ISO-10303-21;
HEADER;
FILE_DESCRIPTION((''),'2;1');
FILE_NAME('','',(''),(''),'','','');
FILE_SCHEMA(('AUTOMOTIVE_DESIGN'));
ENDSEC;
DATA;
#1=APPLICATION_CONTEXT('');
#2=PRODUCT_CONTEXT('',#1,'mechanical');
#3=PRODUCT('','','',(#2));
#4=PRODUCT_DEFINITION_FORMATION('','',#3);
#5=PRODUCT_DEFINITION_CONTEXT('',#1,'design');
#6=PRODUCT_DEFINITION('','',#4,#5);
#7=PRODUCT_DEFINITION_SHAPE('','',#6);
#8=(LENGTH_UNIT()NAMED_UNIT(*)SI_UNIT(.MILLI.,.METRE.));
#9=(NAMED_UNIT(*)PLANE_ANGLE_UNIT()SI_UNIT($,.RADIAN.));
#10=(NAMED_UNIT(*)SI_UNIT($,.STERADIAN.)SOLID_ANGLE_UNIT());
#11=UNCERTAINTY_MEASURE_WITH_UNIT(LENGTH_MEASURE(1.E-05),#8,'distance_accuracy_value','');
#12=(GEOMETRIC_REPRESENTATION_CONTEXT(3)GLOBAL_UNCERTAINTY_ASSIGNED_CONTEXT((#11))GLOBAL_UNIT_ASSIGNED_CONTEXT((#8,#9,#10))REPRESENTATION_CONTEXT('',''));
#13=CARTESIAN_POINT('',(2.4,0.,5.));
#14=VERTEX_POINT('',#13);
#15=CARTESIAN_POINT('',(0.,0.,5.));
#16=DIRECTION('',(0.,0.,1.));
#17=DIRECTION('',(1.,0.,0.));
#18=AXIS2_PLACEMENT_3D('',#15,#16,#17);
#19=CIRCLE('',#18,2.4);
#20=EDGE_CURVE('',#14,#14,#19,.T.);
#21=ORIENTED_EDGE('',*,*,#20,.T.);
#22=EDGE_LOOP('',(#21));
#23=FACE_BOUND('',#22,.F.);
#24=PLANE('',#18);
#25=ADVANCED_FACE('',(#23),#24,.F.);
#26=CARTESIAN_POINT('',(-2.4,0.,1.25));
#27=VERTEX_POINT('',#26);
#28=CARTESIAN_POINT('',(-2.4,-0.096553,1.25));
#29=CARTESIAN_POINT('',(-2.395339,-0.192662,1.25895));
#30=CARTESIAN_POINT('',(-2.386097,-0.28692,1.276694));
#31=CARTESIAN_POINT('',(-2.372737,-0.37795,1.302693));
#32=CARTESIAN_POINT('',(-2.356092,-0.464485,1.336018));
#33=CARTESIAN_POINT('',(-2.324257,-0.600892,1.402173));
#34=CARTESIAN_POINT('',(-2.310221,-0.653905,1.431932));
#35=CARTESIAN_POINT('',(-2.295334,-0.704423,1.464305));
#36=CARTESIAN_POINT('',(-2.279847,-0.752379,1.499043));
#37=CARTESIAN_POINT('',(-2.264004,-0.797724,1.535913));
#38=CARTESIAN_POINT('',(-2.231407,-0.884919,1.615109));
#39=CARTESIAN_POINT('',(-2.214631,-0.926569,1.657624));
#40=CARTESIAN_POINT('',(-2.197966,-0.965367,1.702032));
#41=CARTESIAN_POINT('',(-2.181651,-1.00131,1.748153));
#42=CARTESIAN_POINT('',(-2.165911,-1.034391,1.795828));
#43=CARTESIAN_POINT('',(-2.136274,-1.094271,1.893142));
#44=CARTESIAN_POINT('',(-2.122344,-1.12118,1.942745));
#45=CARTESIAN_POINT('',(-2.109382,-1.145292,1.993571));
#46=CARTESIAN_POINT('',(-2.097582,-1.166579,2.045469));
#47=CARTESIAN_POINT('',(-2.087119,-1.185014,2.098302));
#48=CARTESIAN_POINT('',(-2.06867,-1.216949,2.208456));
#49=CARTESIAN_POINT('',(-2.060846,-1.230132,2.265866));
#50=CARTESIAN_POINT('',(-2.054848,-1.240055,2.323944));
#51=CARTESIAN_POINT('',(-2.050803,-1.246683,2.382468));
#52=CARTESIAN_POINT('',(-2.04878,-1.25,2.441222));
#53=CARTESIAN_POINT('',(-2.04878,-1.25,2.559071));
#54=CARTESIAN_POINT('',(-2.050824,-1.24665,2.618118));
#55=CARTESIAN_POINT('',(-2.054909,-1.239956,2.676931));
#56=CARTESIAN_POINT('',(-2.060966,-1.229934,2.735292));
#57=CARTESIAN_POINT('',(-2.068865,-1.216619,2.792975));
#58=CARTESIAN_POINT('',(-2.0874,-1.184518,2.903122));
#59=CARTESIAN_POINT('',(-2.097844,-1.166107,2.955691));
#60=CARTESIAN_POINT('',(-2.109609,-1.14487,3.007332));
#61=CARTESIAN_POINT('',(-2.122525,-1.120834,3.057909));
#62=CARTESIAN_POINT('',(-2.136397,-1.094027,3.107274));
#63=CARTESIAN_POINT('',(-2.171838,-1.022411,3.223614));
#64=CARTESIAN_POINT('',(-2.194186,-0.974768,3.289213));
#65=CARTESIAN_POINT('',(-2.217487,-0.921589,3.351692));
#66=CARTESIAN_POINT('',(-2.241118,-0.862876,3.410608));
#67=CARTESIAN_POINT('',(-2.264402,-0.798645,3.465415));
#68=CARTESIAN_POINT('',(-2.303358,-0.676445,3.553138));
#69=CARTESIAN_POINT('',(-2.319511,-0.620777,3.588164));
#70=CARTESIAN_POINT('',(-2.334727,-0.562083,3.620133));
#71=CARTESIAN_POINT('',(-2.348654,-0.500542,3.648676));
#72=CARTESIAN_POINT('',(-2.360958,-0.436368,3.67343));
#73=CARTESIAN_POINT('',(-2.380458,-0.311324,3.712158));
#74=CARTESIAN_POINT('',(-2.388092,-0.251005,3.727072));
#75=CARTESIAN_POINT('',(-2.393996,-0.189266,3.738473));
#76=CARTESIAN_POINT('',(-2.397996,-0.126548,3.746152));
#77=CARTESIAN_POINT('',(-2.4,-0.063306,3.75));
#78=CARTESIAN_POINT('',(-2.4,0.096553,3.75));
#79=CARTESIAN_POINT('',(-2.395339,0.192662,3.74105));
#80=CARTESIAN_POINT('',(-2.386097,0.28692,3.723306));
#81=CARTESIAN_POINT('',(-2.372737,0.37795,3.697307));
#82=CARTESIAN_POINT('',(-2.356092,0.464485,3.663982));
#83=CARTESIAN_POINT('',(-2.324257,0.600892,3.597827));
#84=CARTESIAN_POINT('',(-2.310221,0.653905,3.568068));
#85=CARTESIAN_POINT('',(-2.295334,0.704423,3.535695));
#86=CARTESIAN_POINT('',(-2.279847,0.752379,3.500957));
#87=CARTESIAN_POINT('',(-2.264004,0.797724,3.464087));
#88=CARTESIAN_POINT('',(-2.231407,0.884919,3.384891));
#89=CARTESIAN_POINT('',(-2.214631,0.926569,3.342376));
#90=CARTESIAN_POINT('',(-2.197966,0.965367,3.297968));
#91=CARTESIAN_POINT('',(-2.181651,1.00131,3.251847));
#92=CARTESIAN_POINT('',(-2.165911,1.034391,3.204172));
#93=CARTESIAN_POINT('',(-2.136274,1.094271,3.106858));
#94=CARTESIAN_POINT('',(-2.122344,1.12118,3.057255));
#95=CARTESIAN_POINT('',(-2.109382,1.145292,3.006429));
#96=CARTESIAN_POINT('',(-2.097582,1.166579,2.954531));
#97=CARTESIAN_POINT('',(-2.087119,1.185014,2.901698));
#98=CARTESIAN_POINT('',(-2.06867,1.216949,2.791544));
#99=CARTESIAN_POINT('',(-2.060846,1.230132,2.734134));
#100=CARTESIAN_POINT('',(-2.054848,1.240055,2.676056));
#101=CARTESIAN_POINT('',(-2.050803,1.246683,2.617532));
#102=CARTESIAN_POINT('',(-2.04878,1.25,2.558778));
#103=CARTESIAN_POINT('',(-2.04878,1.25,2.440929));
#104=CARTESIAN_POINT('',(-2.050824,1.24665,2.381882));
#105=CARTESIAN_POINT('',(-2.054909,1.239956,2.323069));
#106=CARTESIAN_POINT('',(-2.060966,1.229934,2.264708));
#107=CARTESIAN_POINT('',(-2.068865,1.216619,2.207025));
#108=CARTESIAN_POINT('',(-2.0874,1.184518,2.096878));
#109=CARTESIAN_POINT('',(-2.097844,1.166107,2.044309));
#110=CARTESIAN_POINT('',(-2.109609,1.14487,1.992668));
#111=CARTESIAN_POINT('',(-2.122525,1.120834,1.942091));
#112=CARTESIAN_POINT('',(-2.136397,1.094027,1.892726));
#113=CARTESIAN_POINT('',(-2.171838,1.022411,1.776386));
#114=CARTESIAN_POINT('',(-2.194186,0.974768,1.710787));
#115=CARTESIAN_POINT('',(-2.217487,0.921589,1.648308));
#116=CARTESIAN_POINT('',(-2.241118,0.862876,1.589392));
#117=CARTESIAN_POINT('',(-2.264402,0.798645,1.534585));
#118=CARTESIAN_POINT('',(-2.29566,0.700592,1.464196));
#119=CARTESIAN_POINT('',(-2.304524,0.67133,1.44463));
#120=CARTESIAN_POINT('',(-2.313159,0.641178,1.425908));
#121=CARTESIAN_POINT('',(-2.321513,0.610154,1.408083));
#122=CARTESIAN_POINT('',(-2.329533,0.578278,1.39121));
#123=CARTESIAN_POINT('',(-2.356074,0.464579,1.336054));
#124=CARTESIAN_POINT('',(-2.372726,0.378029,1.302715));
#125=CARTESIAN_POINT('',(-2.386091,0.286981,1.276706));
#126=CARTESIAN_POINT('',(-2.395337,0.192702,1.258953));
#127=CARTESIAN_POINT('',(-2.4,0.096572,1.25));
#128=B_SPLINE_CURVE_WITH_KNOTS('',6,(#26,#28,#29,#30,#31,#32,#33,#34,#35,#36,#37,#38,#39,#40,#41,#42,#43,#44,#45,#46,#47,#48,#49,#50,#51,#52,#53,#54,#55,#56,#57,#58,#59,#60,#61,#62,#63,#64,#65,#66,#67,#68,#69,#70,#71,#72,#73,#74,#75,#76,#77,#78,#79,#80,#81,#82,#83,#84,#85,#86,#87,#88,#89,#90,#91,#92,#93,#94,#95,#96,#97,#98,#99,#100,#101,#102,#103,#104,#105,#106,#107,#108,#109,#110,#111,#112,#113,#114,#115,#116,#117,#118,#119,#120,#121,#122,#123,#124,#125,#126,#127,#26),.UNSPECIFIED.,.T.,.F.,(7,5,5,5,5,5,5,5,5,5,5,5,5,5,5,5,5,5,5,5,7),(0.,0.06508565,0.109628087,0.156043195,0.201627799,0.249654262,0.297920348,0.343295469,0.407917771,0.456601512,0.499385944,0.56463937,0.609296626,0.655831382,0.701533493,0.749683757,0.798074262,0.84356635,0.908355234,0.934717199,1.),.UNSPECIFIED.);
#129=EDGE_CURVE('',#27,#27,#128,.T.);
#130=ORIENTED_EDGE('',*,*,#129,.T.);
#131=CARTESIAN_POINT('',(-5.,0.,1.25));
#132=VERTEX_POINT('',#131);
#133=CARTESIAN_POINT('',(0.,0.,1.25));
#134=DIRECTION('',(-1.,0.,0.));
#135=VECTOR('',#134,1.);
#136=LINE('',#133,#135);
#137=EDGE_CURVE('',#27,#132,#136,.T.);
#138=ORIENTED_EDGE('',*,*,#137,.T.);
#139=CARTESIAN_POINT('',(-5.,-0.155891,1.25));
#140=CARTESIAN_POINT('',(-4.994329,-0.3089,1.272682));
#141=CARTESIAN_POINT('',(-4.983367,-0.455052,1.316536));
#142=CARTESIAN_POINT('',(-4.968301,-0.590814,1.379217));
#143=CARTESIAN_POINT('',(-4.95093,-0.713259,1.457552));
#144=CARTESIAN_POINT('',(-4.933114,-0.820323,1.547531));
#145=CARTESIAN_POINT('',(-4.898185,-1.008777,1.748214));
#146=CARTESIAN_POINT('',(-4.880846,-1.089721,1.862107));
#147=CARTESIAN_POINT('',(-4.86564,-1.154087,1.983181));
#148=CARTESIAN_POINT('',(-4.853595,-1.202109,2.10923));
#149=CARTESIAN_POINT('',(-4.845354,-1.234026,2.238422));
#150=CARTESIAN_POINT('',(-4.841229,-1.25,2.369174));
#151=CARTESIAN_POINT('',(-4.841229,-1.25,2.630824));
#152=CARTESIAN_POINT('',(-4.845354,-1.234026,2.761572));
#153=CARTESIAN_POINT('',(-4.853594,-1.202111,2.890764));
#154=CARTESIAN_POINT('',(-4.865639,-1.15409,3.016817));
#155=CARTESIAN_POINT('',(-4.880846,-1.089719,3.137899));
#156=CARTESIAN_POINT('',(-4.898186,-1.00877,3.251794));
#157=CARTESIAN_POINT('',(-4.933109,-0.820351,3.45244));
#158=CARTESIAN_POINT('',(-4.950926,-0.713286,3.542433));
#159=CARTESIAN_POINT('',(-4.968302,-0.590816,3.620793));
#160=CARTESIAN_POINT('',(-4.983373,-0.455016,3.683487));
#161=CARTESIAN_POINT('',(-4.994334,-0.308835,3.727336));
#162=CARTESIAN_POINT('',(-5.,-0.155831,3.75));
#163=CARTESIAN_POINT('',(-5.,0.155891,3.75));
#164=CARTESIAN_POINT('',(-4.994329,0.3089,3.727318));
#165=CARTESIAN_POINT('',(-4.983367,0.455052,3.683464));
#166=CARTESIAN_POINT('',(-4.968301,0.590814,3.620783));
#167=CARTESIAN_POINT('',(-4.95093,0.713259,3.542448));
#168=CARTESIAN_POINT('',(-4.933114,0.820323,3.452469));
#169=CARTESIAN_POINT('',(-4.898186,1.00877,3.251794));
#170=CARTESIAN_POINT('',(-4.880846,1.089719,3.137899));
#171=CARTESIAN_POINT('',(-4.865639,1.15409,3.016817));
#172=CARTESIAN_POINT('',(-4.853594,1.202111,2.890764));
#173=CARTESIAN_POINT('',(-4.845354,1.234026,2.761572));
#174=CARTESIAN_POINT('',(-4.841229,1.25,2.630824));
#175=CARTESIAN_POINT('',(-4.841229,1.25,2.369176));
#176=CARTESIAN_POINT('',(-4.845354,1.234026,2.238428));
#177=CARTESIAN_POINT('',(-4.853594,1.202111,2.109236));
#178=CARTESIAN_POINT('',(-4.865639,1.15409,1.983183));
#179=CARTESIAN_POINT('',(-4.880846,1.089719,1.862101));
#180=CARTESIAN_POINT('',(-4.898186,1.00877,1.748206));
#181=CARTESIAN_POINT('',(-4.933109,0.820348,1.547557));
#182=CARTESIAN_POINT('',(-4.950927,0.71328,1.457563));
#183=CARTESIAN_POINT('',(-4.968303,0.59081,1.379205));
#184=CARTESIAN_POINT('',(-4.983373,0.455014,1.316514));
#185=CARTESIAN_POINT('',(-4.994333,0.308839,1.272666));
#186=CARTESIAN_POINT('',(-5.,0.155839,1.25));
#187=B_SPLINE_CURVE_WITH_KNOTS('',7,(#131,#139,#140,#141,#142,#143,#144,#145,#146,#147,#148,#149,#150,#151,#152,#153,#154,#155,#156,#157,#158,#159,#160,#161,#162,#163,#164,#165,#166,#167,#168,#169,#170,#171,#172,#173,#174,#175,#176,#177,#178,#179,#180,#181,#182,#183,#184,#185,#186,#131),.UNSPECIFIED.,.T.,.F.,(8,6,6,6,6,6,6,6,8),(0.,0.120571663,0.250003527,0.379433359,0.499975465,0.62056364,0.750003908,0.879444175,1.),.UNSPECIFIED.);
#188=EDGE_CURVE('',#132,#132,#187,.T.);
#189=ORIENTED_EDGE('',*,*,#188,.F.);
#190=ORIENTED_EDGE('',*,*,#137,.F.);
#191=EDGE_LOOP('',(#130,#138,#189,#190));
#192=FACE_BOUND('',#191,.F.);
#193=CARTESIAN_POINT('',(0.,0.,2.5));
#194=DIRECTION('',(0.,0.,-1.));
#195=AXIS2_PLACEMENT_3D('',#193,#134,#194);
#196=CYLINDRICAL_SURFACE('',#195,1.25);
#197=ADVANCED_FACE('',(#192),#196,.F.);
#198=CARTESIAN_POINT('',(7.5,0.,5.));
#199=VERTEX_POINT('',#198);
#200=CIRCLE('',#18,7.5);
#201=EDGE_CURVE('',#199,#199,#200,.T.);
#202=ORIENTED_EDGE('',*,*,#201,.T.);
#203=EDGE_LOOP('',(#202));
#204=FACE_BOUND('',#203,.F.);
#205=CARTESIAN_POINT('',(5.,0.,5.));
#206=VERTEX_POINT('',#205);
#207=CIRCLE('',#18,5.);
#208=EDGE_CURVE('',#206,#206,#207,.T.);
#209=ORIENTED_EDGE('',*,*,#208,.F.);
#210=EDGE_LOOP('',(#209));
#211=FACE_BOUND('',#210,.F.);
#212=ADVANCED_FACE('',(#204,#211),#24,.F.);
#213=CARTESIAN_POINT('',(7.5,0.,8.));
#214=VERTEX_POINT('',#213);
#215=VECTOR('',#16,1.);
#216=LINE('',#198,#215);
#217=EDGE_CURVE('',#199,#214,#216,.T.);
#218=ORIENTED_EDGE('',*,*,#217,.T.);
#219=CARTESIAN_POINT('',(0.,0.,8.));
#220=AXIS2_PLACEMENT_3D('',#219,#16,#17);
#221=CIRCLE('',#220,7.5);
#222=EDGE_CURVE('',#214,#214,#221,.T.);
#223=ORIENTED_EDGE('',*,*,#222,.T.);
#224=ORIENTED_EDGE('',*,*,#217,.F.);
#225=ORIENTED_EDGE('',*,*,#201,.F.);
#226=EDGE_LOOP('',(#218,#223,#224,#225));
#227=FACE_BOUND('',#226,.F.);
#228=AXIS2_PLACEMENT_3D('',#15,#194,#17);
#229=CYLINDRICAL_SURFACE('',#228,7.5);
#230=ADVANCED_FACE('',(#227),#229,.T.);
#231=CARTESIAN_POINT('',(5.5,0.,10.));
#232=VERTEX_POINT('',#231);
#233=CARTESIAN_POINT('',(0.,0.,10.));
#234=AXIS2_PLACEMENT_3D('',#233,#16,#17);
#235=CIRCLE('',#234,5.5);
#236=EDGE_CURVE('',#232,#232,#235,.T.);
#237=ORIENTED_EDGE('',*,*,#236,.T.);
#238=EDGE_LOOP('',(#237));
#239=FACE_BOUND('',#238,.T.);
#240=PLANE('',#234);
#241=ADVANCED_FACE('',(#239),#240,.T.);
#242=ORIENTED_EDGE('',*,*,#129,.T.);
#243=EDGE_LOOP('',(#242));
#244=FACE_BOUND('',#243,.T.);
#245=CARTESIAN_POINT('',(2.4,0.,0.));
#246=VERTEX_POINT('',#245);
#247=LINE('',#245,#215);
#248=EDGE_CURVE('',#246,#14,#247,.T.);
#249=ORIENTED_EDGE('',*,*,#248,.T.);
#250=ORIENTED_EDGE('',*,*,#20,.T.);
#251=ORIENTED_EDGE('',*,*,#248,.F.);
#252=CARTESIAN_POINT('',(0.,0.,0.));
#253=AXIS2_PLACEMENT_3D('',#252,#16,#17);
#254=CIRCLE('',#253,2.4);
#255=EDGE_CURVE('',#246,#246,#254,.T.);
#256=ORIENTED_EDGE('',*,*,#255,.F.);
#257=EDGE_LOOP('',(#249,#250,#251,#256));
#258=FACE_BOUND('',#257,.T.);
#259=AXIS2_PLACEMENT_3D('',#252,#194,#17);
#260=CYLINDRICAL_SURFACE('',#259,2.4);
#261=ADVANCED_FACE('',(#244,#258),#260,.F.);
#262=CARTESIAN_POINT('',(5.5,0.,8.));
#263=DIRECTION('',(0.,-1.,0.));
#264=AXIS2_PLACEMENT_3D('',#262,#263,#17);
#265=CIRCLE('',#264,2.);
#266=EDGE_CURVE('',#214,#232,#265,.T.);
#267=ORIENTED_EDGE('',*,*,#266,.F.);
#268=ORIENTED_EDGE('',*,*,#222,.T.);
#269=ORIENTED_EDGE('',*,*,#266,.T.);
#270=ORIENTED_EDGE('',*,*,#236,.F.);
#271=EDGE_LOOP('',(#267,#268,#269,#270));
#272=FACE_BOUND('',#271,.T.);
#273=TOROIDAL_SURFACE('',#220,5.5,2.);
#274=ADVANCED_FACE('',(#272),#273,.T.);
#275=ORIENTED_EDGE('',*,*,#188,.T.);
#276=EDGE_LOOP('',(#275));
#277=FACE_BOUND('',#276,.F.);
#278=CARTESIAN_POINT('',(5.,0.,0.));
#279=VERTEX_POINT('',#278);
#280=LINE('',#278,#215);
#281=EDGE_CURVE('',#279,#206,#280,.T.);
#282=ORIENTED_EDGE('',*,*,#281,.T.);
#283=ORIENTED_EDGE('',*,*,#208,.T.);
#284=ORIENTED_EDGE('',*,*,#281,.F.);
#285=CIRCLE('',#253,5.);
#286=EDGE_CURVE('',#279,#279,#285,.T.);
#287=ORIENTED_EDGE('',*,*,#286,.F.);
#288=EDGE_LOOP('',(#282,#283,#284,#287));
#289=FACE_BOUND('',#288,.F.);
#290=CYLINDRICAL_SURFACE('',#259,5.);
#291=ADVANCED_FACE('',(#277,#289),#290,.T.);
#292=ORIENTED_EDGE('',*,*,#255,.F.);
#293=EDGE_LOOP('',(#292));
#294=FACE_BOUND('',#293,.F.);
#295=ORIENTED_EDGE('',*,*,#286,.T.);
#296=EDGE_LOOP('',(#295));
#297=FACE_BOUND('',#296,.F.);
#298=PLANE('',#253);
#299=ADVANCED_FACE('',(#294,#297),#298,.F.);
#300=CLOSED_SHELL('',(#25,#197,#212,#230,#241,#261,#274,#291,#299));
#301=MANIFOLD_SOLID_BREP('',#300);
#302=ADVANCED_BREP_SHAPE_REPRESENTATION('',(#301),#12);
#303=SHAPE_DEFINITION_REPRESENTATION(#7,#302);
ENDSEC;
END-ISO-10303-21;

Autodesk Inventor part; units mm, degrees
ref_plane "YZ Plane" through (0, 0, 0) normal (1, 0, 0) x (0, 1, 0)
ref_plane "XZ Plane" through (0, 0, 0) normal (0, 1, 0) x (-1, 0, 0)
ref_plane "XY Plane" through (0, 0, 0) normal (0, 0, 1) x (1, 0, 0)
sketch "Sketch1" plane through (0, 0, 0) normal (0, 0, 1) x (1, 0, 0)
  circle A0 centre (0, 0) radius 2.4
  circle A1 centre (0, 0) radius 5
  dimension "d0" = 4.8
  dimension "d1" = 10
extrude "Extrusion1" add sketch "Sketch1" along normal blind 5
sketch "Sketch2" plane through (0, 0, 5) normal (0, 0, 1) x (1, 0, 0)
  circle A0 centre (0, 0) radius 7.5
  dimension "d4" = 15
extrude "Extrusion2" add sketch "Sketch2" along normal blind 5
fillet "Fillet1" radius 2 1 edges at (-7.5, 0, 10)
sketch "Sketch3" plane through (0, 0, 0) normal (1, 0, 0) x (0, 1, 0)
  line L0 (5, 0) -> (-5, 0) projected
  point P0 (0, 0)
  point P1 (0, 2.5)
  dimension "d8" = 2.5
hole "Hole1" at (0, 0, 2.5) direction (-1, 0, 0) diameter 2.5 end through all
properties part number "10-03-011 Ciuperca"
